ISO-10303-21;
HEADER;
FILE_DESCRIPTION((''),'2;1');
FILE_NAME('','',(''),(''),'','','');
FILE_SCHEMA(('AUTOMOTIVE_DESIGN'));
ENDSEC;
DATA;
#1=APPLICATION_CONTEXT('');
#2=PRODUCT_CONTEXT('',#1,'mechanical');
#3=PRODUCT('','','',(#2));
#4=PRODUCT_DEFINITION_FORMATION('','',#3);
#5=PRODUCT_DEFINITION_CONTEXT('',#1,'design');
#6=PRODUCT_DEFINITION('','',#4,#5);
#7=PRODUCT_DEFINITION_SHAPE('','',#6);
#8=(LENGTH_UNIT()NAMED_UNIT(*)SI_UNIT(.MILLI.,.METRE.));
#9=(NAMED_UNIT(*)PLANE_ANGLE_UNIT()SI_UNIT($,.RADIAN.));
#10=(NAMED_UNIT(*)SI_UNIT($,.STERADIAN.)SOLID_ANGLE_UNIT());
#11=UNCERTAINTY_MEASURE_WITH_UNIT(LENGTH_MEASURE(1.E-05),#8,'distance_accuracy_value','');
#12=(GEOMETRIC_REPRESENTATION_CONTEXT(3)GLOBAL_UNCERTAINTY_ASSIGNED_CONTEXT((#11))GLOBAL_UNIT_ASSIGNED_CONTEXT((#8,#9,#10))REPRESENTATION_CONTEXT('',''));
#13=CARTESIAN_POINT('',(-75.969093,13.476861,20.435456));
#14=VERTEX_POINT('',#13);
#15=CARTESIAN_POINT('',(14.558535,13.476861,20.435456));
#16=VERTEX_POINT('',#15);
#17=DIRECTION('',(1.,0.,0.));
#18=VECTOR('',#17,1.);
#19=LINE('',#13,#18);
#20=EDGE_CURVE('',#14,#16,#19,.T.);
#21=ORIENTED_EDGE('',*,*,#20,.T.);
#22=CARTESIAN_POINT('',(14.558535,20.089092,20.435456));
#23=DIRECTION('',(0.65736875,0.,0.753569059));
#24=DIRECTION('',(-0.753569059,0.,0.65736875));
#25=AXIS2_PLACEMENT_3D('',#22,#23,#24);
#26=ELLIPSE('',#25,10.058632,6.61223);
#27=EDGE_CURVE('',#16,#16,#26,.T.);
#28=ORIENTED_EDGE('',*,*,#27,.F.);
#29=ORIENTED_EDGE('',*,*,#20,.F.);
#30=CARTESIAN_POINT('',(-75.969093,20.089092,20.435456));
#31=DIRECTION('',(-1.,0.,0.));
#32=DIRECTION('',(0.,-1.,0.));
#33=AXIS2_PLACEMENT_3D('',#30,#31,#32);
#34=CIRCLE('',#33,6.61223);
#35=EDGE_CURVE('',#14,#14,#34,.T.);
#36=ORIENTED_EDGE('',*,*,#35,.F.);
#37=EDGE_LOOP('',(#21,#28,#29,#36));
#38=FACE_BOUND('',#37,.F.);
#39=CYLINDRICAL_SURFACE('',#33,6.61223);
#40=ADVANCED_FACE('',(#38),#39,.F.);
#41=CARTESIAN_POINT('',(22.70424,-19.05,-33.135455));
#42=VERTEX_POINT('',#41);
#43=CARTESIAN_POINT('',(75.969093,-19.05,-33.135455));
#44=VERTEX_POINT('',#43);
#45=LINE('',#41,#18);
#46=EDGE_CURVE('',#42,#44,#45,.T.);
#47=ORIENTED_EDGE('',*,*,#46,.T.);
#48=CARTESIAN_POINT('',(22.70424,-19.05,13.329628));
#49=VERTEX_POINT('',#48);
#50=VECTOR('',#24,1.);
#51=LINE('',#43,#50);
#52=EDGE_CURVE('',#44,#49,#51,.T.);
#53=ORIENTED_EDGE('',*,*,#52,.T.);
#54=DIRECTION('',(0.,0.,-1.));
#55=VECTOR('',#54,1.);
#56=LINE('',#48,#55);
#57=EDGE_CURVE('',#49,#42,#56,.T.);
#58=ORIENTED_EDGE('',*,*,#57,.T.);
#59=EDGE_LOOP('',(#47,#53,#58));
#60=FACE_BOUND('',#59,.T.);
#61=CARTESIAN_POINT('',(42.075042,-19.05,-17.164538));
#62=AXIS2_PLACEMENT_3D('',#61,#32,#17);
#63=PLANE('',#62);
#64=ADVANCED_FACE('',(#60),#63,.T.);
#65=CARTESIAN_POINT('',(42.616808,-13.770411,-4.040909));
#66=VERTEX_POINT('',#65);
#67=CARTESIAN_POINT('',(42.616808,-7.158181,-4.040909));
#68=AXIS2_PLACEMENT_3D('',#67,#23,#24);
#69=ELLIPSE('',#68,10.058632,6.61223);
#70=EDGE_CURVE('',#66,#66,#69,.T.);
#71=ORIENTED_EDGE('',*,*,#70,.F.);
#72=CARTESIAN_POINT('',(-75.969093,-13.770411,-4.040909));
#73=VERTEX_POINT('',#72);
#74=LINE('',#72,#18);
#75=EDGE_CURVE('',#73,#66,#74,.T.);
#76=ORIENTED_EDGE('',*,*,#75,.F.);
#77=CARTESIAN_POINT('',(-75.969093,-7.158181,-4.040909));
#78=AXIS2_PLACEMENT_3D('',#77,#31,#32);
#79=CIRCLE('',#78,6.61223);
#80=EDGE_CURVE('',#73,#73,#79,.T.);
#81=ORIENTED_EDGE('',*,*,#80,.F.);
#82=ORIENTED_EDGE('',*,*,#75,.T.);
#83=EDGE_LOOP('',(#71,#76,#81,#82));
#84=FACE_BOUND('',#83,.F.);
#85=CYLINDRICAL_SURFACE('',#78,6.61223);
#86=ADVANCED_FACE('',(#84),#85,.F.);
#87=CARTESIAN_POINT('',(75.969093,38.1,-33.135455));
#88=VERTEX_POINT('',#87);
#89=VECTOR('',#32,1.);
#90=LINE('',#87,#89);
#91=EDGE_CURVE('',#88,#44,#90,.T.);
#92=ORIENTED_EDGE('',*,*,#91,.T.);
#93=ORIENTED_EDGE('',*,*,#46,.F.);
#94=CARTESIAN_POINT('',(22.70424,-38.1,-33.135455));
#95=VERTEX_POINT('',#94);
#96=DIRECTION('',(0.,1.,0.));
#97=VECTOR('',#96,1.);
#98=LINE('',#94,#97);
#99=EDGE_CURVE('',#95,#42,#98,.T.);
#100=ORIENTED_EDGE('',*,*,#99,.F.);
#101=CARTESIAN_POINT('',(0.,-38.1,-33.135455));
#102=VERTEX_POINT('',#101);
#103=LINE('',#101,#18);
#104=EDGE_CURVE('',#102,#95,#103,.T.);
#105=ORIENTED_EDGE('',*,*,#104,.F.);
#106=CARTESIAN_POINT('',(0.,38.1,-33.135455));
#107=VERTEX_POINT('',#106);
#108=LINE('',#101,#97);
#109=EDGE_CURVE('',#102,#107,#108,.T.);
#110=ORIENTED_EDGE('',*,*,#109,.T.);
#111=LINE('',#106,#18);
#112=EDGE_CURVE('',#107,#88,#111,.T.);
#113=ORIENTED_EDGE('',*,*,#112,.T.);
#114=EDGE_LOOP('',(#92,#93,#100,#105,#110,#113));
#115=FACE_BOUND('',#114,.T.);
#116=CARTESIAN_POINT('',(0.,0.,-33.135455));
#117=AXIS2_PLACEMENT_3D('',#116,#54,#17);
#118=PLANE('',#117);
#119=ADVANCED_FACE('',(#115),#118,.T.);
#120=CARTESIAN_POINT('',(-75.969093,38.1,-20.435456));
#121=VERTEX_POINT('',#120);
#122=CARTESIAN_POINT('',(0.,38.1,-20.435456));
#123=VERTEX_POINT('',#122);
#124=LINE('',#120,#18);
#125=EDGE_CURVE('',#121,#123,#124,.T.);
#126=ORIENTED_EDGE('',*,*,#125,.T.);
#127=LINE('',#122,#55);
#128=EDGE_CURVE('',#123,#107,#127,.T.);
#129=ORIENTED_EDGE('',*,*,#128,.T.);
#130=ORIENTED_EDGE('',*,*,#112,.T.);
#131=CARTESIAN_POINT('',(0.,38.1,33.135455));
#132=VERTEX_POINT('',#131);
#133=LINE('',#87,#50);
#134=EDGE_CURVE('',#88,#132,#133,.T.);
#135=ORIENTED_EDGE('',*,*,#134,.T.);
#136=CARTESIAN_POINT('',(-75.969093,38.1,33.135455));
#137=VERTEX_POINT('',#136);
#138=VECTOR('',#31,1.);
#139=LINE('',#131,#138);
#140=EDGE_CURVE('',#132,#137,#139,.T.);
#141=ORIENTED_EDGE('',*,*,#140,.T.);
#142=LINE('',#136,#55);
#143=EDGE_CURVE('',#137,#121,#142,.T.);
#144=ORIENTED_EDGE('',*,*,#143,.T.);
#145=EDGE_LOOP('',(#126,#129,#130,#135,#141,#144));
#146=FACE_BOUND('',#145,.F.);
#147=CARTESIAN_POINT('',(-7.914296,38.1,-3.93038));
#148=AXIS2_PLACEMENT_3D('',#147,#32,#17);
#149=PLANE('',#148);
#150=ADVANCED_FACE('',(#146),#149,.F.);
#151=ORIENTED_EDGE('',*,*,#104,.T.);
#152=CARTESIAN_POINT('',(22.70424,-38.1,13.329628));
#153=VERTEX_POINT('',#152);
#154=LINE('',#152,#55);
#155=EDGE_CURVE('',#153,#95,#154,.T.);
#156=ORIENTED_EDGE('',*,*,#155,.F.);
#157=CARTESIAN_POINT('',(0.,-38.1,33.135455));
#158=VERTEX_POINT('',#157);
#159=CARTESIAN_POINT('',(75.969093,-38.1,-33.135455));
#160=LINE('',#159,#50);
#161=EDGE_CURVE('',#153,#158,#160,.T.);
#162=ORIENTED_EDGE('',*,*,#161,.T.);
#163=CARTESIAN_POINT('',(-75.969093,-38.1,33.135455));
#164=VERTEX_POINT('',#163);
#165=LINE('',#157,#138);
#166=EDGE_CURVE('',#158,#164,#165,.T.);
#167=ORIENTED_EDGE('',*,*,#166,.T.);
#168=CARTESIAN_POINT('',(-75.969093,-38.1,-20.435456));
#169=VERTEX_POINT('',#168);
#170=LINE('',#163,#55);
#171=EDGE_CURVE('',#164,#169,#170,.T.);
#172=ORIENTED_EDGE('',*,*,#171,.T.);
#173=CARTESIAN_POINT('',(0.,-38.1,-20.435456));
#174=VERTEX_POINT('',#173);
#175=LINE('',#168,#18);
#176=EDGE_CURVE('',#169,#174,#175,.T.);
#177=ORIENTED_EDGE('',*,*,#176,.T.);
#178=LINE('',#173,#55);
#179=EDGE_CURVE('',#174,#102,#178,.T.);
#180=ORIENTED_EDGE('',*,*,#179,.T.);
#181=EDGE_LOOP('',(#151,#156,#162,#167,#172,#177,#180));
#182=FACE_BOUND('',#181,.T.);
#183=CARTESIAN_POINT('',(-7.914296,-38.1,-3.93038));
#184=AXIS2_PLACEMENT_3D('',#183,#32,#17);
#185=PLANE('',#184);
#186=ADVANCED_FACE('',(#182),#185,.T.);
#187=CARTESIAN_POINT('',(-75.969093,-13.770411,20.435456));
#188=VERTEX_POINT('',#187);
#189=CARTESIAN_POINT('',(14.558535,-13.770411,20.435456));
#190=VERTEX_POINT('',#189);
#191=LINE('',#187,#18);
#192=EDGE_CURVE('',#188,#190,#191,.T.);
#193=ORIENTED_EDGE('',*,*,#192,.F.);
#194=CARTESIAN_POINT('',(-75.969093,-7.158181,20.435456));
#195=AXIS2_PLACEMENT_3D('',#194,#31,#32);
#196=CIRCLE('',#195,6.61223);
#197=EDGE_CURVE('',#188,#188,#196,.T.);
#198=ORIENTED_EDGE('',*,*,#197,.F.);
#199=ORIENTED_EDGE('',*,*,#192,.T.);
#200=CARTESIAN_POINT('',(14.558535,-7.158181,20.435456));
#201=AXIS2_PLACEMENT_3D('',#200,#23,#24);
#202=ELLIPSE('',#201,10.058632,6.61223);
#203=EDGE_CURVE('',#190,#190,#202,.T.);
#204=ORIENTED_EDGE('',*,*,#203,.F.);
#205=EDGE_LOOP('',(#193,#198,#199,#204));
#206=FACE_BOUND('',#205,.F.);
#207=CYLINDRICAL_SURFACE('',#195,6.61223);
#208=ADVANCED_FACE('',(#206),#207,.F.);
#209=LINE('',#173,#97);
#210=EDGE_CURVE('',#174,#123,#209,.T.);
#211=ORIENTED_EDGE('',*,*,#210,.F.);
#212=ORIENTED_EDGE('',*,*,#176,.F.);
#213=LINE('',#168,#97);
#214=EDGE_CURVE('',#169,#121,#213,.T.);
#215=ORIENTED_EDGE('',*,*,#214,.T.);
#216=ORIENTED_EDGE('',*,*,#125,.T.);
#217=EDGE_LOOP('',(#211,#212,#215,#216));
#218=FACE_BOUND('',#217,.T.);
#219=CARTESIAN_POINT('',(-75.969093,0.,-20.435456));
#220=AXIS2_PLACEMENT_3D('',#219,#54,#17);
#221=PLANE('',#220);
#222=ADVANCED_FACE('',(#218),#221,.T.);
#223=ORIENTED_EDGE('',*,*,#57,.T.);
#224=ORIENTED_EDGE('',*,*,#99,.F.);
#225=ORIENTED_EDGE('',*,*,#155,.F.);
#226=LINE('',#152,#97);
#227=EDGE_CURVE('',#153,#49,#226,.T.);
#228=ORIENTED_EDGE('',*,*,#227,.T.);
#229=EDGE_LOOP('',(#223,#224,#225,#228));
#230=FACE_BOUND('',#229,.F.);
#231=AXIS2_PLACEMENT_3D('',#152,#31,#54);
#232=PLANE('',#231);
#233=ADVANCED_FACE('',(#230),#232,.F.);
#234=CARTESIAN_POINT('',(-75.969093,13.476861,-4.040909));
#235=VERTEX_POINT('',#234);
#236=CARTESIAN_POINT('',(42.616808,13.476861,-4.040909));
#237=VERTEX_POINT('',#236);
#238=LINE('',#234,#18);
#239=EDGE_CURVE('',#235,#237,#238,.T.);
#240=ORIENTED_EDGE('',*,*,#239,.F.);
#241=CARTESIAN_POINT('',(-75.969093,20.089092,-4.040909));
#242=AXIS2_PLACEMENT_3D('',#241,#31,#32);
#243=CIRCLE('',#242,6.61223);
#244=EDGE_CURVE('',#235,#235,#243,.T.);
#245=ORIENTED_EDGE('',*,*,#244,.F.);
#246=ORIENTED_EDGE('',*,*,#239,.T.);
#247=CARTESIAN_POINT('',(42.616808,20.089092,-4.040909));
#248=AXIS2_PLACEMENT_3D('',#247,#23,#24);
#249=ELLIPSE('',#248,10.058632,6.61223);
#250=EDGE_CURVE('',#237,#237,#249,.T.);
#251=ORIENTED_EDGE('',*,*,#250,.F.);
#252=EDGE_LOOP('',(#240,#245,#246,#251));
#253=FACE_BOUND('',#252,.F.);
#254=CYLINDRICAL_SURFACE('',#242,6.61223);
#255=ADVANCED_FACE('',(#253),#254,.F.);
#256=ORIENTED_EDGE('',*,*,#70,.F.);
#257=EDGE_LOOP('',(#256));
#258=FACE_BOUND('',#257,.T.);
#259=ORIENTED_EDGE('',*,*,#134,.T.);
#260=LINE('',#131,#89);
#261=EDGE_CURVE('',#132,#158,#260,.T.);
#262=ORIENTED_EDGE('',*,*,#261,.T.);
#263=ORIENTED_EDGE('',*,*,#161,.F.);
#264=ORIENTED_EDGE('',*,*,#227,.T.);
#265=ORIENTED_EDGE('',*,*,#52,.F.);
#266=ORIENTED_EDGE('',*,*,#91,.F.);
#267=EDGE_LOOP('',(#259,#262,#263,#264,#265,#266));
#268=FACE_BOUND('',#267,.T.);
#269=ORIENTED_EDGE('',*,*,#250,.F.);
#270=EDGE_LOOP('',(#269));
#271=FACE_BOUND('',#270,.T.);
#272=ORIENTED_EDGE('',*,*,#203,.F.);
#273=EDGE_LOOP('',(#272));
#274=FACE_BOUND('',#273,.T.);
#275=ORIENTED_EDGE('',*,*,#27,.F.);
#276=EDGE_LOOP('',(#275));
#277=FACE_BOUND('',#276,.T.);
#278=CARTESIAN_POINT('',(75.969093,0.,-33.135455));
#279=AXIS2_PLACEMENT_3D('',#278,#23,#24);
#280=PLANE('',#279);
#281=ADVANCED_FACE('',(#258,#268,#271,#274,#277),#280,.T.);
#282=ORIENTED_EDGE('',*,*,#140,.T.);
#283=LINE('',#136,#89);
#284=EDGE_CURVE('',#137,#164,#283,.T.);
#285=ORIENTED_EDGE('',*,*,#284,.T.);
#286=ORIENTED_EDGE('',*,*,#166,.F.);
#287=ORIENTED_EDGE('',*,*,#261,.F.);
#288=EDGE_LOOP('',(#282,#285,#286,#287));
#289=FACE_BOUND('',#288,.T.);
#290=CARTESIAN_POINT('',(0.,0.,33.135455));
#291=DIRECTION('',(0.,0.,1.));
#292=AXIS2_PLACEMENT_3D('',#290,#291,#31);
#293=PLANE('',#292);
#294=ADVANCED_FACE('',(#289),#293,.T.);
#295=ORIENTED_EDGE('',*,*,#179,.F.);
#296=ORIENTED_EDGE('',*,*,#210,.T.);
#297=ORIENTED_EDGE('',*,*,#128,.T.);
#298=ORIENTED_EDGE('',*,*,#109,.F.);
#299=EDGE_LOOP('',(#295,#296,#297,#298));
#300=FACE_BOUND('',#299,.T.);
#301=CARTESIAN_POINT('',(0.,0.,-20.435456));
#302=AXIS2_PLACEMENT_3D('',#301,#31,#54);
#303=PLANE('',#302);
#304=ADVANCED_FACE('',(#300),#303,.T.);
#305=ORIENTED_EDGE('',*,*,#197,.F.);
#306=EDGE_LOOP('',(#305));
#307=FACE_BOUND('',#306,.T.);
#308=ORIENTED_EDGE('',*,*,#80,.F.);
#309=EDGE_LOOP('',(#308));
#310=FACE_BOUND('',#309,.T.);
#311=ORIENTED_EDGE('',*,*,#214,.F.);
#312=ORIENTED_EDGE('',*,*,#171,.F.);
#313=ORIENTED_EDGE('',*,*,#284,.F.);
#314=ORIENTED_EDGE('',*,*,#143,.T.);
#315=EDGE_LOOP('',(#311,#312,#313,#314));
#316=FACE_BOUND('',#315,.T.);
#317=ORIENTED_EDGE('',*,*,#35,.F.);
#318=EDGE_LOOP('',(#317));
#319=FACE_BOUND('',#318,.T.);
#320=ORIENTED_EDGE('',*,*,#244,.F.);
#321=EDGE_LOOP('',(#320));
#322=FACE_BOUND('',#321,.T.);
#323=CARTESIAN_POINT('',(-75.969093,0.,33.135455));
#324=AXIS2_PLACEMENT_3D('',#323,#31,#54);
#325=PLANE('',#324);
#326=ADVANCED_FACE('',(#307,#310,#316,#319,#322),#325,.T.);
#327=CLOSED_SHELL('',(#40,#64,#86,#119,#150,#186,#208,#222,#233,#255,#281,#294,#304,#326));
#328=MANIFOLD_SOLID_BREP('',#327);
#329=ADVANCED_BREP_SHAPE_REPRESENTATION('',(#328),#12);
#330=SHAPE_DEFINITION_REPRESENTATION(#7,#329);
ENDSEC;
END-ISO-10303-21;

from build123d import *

# Parameters (mm, degrees)
F1_DEPTH = 38.1
F3_DEPTH = 19.05
F4_R     = 6.6122304169
F5_DEPTH = 254


with BuildPart() as f1:
    # F0 (on Front) → F1 (new body, symmetric)
    with BuildSketch(Plane.XZ):
        Polygon((0, -33.1354551017), (75.9690925479, -33.1354551017), (0, 33.1354551017), (-75.9690925479, 33.1354551017), (-75.9690925479, -20.4354561865), (0, -20.4354561865), align=None)
    extrude(amount=F1_DEPTH, both=True)

    # F2 (on face) → F3 (cut)
    with BuildSketch(Plane.XZ.offset(38.1)):
        Polygon((22.7042404154, -33.1354551017), (75.9690925479, -33.1354551017), (22.7042404154, 13.3296284511), align=None)
    extrude(amount=-F3_DEPTH, mode=Mode.SUBTRACT)

    # F4 (on face) → F5 (cut)
    with BuildSketch(Plane(origin=(-75.9690925479, 0, 0), x_dir=(0, -1, 0), z_dir=(-1, 0, 0))):
        with Locations((7.1581806988, 20.4354561865)):
            Circle(F4_R)
        with Locations((-20.0890917331, -4.0409089997)):
            Circle(F4_R)
        with Locations((7.1581806988, -4.0409089997)):
            Circle(F4_R)
        with Locations((-20.0890917331, 20.4354561865)):
            Circle(F4_R)
    extrude(amount=-F5_DEPTH, mode=Mode.SUBTRACT)


solid = f1.part
